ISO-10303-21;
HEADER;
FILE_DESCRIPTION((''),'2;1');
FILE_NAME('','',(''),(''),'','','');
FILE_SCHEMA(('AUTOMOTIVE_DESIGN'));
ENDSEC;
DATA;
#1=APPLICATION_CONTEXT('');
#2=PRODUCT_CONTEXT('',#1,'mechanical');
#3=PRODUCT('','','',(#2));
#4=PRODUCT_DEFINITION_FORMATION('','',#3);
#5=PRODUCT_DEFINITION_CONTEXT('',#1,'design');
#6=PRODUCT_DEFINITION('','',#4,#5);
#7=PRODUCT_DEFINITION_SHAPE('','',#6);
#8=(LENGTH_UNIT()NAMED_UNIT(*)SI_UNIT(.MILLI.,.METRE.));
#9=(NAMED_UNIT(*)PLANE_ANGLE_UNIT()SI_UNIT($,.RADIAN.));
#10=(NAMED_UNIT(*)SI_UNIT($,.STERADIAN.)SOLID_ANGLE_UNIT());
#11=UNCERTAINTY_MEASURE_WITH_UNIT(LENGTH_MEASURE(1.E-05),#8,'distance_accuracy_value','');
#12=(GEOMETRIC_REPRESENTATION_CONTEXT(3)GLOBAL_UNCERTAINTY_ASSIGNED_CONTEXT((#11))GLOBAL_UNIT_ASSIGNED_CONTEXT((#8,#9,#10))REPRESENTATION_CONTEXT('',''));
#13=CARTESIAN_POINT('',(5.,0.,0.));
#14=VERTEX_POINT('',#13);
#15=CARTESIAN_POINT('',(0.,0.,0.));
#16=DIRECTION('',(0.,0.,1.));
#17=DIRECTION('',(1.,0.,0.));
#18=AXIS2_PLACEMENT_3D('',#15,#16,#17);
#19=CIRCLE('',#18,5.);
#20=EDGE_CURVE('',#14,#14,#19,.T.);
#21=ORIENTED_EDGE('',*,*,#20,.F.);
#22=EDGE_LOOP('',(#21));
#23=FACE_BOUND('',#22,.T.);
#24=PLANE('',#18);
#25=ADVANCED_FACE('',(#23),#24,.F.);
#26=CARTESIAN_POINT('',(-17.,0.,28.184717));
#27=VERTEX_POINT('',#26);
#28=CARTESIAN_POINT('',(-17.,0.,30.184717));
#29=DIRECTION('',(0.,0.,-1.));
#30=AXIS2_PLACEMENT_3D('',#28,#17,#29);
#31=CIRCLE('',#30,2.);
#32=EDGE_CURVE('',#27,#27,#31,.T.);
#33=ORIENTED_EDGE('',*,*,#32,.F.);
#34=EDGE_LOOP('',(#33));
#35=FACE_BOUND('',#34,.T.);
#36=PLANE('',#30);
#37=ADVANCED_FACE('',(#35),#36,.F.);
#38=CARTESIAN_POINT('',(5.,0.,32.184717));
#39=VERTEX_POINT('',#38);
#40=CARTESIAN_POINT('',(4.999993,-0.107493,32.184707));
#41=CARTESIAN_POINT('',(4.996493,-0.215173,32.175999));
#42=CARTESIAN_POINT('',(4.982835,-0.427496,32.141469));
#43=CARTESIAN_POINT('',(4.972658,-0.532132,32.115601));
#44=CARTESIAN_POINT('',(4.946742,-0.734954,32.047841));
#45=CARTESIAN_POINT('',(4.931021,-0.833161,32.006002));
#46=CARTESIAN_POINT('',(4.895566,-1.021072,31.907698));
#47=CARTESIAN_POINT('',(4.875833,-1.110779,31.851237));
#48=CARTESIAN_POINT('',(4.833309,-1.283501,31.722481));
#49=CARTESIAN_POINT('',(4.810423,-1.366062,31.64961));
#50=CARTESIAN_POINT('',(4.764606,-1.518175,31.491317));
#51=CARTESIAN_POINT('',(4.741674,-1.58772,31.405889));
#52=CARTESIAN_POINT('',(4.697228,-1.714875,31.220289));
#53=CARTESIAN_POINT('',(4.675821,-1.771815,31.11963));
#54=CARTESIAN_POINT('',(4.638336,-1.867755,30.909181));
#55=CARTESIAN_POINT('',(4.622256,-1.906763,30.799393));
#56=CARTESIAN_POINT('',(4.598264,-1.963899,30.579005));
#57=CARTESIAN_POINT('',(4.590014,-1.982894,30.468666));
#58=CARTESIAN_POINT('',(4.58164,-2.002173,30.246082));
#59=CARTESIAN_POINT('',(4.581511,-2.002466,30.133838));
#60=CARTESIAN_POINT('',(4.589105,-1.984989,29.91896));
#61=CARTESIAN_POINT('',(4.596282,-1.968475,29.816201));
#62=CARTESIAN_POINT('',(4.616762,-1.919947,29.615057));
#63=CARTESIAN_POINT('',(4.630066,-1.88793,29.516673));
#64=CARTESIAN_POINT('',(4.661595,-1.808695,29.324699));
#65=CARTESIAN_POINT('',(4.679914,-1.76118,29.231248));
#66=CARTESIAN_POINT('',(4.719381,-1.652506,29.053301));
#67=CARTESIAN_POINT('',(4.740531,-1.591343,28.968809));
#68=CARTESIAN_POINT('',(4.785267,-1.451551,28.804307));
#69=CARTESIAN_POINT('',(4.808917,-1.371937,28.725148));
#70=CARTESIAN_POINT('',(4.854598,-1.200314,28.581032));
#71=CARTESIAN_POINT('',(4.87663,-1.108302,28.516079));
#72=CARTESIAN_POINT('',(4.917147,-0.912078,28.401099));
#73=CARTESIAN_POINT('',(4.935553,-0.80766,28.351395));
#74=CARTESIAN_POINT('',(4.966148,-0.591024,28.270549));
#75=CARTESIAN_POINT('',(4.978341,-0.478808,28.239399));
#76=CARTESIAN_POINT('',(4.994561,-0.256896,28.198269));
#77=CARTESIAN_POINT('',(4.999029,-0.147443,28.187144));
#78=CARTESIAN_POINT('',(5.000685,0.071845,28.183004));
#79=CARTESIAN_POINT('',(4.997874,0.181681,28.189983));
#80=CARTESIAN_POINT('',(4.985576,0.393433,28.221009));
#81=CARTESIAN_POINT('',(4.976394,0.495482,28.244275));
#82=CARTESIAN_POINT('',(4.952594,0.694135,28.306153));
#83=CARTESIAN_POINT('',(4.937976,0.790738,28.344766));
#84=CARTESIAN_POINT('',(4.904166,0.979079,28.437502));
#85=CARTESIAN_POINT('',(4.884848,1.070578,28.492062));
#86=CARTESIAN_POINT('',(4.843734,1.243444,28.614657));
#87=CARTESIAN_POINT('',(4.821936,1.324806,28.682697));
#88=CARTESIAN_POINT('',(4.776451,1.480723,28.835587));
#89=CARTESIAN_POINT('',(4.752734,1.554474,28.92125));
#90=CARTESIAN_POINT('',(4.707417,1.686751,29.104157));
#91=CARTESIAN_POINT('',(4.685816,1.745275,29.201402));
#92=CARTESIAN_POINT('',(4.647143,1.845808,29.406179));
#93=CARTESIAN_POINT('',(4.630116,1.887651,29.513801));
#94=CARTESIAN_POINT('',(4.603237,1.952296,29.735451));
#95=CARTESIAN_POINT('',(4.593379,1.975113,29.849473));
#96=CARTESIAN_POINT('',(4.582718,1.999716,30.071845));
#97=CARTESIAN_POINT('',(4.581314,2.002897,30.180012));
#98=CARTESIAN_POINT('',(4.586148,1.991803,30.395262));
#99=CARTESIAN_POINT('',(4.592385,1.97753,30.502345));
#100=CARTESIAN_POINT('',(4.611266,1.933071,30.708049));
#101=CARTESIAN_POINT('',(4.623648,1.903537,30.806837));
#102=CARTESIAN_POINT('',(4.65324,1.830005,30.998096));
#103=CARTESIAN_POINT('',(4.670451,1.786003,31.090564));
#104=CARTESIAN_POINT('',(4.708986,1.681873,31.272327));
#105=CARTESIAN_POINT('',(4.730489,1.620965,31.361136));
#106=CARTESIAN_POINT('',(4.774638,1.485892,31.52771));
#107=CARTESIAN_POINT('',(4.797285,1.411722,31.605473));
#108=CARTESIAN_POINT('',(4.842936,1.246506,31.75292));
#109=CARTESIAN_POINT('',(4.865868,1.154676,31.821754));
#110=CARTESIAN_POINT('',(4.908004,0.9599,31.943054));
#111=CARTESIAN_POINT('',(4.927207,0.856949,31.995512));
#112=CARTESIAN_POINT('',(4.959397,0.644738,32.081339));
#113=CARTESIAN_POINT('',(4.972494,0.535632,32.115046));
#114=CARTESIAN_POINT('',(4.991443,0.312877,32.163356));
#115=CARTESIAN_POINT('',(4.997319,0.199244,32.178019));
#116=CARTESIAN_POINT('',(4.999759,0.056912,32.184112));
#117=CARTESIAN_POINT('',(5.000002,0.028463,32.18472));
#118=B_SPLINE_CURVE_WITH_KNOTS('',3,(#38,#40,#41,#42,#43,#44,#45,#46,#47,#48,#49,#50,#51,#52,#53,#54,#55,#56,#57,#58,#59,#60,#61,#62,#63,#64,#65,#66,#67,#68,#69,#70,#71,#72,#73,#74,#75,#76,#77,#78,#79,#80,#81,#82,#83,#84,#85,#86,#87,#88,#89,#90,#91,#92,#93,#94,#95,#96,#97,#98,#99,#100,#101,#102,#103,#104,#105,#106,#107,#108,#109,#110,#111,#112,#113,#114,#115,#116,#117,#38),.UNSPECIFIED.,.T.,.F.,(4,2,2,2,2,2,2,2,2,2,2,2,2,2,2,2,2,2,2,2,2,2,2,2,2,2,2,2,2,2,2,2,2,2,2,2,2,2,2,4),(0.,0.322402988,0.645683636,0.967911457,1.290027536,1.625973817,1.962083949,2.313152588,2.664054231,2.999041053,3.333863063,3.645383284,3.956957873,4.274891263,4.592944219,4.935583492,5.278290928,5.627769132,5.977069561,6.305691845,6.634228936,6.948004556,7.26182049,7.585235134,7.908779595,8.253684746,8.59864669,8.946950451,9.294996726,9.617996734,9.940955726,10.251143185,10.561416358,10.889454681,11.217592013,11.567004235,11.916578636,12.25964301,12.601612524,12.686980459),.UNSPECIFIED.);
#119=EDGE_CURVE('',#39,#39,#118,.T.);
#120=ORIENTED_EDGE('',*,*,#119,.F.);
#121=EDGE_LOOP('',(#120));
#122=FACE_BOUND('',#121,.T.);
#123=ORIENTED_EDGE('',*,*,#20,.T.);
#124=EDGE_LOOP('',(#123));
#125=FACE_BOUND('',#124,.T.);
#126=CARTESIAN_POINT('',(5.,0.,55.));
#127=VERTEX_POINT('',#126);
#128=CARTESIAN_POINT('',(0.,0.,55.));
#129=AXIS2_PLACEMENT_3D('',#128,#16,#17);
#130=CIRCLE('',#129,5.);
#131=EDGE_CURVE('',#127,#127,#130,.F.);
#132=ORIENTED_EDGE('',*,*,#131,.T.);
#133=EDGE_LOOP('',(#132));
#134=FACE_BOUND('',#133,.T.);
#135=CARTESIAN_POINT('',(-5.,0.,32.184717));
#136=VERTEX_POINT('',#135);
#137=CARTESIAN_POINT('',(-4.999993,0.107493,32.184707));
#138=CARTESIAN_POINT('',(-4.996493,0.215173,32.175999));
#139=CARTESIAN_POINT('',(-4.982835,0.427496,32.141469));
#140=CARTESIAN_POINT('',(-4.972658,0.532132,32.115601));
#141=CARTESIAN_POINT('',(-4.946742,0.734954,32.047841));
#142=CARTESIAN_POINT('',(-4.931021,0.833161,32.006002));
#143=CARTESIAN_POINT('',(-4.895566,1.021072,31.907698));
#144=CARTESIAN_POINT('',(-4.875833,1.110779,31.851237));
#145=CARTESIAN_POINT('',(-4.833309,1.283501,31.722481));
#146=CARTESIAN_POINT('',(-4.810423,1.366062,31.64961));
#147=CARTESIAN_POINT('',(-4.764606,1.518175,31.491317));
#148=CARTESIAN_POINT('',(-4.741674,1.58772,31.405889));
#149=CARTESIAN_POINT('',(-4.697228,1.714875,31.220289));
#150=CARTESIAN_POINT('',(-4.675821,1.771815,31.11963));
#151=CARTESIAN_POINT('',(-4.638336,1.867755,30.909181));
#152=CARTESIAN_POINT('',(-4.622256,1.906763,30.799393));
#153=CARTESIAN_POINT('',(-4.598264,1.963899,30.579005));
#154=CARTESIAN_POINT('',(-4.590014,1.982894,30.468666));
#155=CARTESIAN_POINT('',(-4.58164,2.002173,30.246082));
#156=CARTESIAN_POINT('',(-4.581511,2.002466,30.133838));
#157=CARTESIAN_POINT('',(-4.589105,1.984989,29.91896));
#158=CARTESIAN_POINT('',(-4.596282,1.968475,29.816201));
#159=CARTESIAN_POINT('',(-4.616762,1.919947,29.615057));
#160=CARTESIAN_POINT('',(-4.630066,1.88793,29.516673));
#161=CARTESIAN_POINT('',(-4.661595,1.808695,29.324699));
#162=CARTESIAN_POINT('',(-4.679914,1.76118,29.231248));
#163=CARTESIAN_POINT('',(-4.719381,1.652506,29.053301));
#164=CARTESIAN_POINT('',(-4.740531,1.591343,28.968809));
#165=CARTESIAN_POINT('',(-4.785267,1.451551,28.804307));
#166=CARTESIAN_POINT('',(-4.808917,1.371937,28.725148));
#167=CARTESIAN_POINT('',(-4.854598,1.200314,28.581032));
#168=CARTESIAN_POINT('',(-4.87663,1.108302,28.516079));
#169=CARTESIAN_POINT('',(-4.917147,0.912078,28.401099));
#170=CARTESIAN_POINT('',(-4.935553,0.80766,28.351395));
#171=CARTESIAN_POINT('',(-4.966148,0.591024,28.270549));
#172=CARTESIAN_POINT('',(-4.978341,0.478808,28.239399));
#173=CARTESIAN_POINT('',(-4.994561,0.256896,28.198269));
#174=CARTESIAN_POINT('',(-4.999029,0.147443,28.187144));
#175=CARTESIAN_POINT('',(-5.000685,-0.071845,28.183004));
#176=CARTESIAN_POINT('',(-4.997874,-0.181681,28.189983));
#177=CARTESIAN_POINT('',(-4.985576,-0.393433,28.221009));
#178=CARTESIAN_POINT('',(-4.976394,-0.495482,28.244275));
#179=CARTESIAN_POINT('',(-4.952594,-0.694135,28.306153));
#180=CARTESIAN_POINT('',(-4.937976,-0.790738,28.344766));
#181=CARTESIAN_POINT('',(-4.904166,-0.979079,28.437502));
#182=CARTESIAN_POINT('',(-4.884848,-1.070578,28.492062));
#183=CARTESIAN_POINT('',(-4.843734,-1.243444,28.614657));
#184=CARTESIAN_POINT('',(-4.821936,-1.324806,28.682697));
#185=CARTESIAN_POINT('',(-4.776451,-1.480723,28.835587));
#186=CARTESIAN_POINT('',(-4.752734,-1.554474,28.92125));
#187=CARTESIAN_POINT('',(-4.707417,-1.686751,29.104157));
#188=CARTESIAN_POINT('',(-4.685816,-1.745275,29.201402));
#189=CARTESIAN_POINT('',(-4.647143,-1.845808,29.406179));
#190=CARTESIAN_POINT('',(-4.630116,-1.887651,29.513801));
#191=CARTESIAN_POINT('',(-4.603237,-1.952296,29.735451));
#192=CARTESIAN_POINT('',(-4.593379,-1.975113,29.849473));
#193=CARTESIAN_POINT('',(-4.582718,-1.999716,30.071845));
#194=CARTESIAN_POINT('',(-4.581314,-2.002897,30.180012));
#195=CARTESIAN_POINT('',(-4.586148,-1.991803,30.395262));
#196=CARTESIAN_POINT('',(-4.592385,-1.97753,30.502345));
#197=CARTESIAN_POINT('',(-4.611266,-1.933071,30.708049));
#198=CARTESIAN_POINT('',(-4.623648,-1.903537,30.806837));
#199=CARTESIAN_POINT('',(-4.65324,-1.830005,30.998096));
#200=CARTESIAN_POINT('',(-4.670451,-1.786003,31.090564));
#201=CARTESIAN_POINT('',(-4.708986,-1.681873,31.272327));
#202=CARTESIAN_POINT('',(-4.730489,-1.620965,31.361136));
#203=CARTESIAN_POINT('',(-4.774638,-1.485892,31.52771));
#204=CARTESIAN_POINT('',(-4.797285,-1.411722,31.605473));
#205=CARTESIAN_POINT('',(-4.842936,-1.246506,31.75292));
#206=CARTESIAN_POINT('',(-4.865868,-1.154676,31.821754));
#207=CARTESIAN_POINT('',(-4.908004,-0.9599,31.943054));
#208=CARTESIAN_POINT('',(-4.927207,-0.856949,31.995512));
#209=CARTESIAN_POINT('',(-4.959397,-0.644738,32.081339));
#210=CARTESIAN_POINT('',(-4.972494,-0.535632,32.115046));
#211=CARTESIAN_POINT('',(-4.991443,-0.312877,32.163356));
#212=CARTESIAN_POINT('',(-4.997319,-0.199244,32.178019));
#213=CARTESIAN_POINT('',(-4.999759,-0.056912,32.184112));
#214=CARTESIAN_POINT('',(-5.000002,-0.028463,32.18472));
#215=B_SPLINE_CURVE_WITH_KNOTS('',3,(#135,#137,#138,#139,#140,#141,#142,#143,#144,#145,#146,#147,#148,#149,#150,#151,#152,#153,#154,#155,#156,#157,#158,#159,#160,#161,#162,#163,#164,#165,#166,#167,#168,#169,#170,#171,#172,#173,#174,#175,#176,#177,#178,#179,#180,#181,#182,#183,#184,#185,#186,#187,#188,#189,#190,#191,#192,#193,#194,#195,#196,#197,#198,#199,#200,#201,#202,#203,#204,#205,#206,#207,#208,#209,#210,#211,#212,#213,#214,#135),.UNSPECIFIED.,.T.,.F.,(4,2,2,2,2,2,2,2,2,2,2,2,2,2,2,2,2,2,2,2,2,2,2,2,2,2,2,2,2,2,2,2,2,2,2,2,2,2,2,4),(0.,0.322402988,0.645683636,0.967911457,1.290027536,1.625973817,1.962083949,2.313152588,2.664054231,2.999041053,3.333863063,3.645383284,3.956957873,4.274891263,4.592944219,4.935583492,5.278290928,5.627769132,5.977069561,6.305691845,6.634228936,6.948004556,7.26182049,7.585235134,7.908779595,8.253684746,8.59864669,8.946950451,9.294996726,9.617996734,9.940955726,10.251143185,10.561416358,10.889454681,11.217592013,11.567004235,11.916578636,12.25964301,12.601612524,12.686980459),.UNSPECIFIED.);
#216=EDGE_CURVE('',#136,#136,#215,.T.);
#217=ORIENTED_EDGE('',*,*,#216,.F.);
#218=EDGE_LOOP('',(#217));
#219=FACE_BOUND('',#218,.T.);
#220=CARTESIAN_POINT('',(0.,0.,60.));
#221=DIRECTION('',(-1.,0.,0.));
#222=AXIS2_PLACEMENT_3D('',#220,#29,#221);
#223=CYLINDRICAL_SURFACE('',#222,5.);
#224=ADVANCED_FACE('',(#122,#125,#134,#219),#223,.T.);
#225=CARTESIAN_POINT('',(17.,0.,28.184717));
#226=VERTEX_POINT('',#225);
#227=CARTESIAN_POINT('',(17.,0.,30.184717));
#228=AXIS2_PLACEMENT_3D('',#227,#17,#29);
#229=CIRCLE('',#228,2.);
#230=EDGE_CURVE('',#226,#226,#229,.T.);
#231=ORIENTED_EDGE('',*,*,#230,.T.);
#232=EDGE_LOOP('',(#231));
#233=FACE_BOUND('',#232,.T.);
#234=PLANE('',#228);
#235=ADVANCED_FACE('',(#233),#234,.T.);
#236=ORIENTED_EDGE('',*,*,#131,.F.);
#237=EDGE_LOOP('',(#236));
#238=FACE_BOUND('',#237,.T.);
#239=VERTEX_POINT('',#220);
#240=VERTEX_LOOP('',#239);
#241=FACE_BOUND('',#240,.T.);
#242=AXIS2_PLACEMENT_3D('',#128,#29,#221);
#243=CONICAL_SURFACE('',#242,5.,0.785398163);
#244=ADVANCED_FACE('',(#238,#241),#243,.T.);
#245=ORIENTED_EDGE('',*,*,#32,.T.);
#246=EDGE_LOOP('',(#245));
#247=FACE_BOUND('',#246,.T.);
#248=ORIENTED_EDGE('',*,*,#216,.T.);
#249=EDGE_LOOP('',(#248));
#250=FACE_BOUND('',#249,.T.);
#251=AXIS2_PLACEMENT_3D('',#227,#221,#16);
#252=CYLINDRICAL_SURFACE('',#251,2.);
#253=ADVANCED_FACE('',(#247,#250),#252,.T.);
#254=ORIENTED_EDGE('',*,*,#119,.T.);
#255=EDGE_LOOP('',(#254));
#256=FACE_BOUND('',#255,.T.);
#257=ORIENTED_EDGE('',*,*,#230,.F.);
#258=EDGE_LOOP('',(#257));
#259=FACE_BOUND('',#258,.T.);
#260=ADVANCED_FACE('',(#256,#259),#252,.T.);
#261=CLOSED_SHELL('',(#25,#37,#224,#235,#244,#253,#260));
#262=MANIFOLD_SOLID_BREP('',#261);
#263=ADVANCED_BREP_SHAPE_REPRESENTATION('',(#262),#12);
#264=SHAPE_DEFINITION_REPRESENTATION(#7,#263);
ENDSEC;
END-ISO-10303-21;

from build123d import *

# Parameters (mm, degrees)
SKETCH_27_R      = 5
EXTRUDE_14_DEPTH = 60
CHAMFER_2_SIZE   = 5
SKETCH_29_R      = 2
EXTRUDE_15_DEPTH = 17


with BuildPart() as part:
    # 草图27 → 凸台-拉伸14 (new body)
    with BuildSketch(Plane.XY):
        Circle(SKETCH_27_R)
    extrude(amount=EXTRUDE_14_DEPTH)

    # 倒角2
    chamfer_2_edges = [part.edges().sort_by_distance(p)[0] for p in [
        (-5, 0, 60),
    ]]
    chamfer(chamfer_2_edges, length=CHAMFER_2_SIZE)

    # 草图29 → 凸台-拉伸15 (add, symmetric)
    with BuildSketch(Plane(origin=(0, 0, 0), x_dir=(0, 0, -1), z_dir=(1, 0, 0))):
        with Locations((-30.18471694, 0)):
            Circle(SKETCH_29_R)
    extrude(amount=EXTRUDE_15_DEPTH, both=True)


solid = part.part
